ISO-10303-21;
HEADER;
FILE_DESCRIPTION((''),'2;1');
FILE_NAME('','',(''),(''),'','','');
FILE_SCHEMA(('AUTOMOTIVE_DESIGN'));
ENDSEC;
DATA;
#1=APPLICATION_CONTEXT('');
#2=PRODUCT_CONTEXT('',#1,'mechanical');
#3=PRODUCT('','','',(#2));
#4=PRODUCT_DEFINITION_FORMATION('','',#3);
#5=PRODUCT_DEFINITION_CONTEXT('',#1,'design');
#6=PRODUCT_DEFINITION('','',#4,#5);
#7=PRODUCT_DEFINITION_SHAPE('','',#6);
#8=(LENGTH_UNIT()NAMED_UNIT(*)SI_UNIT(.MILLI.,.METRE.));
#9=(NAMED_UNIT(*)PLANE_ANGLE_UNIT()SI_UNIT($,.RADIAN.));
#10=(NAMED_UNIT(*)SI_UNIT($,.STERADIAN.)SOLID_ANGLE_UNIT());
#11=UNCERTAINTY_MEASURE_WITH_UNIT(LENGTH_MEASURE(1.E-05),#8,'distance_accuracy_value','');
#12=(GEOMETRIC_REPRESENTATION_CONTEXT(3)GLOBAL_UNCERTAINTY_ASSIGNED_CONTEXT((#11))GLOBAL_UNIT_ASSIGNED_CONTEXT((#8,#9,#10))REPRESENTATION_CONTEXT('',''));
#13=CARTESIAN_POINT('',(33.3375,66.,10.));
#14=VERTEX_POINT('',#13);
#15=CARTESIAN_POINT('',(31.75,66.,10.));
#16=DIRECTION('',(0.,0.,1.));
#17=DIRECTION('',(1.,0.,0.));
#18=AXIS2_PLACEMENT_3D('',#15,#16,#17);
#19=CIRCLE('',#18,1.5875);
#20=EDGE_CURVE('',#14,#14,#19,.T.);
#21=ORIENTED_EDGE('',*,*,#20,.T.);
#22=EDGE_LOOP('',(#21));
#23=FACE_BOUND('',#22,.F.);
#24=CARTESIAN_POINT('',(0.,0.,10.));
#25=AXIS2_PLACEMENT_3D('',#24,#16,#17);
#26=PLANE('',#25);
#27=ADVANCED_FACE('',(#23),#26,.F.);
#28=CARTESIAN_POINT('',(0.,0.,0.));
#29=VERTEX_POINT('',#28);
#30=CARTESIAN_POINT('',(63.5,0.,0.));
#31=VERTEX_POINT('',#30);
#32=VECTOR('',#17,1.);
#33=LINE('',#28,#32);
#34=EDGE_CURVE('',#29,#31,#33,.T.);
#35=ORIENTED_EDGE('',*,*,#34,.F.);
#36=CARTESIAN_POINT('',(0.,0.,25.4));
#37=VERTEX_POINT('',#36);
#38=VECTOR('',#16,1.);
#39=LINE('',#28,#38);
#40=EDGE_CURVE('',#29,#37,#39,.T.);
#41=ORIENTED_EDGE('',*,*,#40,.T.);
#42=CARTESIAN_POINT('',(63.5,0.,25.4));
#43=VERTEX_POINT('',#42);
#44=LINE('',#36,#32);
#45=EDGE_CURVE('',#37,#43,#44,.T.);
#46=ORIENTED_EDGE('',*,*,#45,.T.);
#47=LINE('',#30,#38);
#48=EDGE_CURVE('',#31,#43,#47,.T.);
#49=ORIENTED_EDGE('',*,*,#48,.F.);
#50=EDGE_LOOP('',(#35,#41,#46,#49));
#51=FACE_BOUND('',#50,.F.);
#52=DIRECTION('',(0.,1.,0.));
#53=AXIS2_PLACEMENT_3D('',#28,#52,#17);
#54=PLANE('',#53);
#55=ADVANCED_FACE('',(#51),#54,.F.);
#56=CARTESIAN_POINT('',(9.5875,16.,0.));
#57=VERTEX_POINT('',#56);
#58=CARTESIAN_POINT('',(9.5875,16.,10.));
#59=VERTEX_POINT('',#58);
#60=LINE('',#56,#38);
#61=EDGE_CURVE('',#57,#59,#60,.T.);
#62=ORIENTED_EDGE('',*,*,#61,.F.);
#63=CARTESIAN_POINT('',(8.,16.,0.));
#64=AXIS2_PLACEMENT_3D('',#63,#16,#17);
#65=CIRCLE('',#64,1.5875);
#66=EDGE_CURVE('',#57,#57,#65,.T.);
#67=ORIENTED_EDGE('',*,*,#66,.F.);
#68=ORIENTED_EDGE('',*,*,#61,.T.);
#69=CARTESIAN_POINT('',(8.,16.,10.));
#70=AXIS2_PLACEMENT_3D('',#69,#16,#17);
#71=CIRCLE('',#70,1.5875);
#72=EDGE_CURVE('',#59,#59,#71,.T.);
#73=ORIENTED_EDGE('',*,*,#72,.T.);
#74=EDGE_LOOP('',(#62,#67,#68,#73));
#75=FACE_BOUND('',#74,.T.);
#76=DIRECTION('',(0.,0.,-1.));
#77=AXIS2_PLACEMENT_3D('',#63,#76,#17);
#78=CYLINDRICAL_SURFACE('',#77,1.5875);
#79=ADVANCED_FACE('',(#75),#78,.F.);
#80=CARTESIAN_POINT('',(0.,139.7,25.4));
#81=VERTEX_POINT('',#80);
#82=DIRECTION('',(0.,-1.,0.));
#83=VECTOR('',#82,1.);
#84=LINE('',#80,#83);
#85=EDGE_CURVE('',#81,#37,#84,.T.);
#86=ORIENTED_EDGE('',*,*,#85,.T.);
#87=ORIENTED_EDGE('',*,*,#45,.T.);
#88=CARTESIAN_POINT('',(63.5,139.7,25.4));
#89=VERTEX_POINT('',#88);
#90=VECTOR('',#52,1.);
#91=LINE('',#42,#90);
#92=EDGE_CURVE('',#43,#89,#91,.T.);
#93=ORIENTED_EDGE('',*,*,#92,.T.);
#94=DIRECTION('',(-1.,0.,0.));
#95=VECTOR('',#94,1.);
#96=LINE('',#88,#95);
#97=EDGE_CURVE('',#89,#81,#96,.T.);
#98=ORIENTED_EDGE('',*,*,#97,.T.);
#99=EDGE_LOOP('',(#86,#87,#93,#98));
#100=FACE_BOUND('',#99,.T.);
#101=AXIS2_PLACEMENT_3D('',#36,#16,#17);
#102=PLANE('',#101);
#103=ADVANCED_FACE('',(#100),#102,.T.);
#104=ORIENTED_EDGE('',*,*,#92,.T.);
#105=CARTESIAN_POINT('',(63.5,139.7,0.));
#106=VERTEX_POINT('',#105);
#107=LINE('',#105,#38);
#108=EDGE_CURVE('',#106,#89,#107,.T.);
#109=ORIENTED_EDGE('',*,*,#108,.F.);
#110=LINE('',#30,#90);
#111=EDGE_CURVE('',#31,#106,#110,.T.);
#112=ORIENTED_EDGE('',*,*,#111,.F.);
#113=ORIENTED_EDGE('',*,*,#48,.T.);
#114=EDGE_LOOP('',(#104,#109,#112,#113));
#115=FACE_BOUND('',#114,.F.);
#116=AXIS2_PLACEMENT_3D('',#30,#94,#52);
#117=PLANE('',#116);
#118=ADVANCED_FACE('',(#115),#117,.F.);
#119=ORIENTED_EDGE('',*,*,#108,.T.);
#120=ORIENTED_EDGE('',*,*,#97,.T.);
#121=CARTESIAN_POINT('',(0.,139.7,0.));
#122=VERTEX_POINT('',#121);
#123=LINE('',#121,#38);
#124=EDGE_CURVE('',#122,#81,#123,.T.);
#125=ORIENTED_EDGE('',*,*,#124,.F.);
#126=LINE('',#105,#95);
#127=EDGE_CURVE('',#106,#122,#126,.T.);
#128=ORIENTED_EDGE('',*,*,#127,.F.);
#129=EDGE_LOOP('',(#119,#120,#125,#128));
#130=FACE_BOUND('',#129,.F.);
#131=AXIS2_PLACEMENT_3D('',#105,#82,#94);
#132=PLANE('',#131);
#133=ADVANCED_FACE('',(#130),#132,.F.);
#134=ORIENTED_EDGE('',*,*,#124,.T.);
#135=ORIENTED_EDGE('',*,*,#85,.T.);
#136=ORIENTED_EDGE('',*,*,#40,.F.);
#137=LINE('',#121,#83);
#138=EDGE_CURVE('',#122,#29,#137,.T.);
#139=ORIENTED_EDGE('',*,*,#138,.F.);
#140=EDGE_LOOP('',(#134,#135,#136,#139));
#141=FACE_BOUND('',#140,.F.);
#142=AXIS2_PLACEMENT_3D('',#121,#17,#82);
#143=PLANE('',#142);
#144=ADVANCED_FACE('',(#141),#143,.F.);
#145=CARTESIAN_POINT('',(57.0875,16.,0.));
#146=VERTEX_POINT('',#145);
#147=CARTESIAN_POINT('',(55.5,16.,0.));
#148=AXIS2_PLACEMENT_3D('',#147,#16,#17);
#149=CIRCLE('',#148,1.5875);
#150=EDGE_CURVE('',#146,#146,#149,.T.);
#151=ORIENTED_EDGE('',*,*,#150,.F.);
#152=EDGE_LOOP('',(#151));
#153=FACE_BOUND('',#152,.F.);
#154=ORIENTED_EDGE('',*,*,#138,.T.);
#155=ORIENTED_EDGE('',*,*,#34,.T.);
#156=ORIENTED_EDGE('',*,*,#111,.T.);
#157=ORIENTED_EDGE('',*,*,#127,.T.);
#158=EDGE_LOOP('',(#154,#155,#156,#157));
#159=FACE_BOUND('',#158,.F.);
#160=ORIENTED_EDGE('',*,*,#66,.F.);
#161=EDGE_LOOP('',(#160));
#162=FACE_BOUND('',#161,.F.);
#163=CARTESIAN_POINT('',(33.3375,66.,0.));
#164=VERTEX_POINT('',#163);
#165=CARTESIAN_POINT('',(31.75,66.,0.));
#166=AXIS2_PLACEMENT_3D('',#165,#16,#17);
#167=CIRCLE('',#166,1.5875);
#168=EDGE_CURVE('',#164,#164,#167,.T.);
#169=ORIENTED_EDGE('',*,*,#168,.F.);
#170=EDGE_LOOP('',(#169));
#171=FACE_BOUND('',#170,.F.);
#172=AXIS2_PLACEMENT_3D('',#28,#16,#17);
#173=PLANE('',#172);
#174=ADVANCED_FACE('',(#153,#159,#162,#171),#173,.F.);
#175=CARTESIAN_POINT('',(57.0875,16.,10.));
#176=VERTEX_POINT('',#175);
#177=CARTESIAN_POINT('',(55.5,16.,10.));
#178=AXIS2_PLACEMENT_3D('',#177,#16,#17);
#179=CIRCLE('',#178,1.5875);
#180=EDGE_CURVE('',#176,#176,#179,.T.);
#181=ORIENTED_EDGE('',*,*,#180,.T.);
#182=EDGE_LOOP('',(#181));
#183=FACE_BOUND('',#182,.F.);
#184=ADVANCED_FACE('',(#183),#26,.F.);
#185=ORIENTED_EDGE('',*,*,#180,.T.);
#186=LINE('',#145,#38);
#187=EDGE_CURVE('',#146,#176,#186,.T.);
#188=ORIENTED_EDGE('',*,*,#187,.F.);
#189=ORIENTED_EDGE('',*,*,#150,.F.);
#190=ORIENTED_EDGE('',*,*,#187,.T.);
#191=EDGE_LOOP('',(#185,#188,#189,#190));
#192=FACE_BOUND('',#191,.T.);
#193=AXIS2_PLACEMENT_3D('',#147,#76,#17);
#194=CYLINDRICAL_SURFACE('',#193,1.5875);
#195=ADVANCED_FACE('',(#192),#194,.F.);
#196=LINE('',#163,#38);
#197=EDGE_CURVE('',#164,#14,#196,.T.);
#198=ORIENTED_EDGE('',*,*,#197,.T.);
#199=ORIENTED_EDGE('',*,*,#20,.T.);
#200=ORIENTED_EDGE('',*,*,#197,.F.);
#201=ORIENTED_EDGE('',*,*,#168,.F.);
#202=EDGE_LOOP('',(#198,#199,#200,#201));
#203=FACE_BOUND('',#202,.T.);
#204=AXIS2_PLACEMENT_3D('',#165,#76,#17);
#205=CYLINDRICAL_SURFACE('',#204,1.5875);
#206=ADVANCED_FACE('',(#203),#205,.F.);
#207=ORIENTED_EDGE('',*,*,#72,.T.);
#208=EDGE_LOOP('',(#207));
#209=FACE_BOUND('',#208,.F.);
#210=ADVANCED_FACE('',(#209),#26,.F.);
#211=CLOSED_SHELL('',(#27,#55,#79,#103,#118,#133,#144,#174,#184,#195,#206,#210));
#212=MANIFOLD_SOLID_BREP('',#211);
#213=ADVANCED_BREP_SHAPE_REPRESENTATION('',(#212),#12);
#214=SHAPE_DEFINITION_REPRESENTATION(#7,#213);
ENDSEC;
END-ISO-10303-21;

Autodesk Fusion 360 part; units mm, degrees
sketch "Sketch1" plane through (0, 0, 0) normal (0, 0, 1) x (1, 0, 0)
  line L0 (0, 0) -> (63.5, 0)
  line L1 (63.5, 0) -> (63.5, 139.7)
  line L2 (63.5, 139.7) -> (0, 139.7)
  line L3 (0, 139.7) -> (0, 0)
  dimension "d1" = 139.7
  dimension "d2" = 63.5
extrude "Extrude1" add sketch "Sketch1" along normal blind 25.4
sketch "Sketch2" plane through (0, 0, 0) normal (0, 0, 1) x (1, 0, 0)
  circle A0 centre (8, 16) radius 1.5875
  circle A1 centre (55.5, 16) radius 1.5875
  circle A2 centre (31.75, 66) radius 1.5875
  line L0 (63.5, 0) -> (63.5, 139.7)
  line L1 (0, 139.7) -> (0, 0)
  line L2 (0, 0) -> (63.5, 0)
  dimension "d5" = 3.175
  dimension "d6" = 3.175
  dimension "d7" = 3.175
  dimension "d9" = 8
  dimension "d10" = 8
  dimension "d11" = 16
  dimension "d12" = 16
  dimension "d13" = 66
  dimension "d14" = 31.75
extrude "Extrude2" cut sketch "Sketch2" along normal blind 10
